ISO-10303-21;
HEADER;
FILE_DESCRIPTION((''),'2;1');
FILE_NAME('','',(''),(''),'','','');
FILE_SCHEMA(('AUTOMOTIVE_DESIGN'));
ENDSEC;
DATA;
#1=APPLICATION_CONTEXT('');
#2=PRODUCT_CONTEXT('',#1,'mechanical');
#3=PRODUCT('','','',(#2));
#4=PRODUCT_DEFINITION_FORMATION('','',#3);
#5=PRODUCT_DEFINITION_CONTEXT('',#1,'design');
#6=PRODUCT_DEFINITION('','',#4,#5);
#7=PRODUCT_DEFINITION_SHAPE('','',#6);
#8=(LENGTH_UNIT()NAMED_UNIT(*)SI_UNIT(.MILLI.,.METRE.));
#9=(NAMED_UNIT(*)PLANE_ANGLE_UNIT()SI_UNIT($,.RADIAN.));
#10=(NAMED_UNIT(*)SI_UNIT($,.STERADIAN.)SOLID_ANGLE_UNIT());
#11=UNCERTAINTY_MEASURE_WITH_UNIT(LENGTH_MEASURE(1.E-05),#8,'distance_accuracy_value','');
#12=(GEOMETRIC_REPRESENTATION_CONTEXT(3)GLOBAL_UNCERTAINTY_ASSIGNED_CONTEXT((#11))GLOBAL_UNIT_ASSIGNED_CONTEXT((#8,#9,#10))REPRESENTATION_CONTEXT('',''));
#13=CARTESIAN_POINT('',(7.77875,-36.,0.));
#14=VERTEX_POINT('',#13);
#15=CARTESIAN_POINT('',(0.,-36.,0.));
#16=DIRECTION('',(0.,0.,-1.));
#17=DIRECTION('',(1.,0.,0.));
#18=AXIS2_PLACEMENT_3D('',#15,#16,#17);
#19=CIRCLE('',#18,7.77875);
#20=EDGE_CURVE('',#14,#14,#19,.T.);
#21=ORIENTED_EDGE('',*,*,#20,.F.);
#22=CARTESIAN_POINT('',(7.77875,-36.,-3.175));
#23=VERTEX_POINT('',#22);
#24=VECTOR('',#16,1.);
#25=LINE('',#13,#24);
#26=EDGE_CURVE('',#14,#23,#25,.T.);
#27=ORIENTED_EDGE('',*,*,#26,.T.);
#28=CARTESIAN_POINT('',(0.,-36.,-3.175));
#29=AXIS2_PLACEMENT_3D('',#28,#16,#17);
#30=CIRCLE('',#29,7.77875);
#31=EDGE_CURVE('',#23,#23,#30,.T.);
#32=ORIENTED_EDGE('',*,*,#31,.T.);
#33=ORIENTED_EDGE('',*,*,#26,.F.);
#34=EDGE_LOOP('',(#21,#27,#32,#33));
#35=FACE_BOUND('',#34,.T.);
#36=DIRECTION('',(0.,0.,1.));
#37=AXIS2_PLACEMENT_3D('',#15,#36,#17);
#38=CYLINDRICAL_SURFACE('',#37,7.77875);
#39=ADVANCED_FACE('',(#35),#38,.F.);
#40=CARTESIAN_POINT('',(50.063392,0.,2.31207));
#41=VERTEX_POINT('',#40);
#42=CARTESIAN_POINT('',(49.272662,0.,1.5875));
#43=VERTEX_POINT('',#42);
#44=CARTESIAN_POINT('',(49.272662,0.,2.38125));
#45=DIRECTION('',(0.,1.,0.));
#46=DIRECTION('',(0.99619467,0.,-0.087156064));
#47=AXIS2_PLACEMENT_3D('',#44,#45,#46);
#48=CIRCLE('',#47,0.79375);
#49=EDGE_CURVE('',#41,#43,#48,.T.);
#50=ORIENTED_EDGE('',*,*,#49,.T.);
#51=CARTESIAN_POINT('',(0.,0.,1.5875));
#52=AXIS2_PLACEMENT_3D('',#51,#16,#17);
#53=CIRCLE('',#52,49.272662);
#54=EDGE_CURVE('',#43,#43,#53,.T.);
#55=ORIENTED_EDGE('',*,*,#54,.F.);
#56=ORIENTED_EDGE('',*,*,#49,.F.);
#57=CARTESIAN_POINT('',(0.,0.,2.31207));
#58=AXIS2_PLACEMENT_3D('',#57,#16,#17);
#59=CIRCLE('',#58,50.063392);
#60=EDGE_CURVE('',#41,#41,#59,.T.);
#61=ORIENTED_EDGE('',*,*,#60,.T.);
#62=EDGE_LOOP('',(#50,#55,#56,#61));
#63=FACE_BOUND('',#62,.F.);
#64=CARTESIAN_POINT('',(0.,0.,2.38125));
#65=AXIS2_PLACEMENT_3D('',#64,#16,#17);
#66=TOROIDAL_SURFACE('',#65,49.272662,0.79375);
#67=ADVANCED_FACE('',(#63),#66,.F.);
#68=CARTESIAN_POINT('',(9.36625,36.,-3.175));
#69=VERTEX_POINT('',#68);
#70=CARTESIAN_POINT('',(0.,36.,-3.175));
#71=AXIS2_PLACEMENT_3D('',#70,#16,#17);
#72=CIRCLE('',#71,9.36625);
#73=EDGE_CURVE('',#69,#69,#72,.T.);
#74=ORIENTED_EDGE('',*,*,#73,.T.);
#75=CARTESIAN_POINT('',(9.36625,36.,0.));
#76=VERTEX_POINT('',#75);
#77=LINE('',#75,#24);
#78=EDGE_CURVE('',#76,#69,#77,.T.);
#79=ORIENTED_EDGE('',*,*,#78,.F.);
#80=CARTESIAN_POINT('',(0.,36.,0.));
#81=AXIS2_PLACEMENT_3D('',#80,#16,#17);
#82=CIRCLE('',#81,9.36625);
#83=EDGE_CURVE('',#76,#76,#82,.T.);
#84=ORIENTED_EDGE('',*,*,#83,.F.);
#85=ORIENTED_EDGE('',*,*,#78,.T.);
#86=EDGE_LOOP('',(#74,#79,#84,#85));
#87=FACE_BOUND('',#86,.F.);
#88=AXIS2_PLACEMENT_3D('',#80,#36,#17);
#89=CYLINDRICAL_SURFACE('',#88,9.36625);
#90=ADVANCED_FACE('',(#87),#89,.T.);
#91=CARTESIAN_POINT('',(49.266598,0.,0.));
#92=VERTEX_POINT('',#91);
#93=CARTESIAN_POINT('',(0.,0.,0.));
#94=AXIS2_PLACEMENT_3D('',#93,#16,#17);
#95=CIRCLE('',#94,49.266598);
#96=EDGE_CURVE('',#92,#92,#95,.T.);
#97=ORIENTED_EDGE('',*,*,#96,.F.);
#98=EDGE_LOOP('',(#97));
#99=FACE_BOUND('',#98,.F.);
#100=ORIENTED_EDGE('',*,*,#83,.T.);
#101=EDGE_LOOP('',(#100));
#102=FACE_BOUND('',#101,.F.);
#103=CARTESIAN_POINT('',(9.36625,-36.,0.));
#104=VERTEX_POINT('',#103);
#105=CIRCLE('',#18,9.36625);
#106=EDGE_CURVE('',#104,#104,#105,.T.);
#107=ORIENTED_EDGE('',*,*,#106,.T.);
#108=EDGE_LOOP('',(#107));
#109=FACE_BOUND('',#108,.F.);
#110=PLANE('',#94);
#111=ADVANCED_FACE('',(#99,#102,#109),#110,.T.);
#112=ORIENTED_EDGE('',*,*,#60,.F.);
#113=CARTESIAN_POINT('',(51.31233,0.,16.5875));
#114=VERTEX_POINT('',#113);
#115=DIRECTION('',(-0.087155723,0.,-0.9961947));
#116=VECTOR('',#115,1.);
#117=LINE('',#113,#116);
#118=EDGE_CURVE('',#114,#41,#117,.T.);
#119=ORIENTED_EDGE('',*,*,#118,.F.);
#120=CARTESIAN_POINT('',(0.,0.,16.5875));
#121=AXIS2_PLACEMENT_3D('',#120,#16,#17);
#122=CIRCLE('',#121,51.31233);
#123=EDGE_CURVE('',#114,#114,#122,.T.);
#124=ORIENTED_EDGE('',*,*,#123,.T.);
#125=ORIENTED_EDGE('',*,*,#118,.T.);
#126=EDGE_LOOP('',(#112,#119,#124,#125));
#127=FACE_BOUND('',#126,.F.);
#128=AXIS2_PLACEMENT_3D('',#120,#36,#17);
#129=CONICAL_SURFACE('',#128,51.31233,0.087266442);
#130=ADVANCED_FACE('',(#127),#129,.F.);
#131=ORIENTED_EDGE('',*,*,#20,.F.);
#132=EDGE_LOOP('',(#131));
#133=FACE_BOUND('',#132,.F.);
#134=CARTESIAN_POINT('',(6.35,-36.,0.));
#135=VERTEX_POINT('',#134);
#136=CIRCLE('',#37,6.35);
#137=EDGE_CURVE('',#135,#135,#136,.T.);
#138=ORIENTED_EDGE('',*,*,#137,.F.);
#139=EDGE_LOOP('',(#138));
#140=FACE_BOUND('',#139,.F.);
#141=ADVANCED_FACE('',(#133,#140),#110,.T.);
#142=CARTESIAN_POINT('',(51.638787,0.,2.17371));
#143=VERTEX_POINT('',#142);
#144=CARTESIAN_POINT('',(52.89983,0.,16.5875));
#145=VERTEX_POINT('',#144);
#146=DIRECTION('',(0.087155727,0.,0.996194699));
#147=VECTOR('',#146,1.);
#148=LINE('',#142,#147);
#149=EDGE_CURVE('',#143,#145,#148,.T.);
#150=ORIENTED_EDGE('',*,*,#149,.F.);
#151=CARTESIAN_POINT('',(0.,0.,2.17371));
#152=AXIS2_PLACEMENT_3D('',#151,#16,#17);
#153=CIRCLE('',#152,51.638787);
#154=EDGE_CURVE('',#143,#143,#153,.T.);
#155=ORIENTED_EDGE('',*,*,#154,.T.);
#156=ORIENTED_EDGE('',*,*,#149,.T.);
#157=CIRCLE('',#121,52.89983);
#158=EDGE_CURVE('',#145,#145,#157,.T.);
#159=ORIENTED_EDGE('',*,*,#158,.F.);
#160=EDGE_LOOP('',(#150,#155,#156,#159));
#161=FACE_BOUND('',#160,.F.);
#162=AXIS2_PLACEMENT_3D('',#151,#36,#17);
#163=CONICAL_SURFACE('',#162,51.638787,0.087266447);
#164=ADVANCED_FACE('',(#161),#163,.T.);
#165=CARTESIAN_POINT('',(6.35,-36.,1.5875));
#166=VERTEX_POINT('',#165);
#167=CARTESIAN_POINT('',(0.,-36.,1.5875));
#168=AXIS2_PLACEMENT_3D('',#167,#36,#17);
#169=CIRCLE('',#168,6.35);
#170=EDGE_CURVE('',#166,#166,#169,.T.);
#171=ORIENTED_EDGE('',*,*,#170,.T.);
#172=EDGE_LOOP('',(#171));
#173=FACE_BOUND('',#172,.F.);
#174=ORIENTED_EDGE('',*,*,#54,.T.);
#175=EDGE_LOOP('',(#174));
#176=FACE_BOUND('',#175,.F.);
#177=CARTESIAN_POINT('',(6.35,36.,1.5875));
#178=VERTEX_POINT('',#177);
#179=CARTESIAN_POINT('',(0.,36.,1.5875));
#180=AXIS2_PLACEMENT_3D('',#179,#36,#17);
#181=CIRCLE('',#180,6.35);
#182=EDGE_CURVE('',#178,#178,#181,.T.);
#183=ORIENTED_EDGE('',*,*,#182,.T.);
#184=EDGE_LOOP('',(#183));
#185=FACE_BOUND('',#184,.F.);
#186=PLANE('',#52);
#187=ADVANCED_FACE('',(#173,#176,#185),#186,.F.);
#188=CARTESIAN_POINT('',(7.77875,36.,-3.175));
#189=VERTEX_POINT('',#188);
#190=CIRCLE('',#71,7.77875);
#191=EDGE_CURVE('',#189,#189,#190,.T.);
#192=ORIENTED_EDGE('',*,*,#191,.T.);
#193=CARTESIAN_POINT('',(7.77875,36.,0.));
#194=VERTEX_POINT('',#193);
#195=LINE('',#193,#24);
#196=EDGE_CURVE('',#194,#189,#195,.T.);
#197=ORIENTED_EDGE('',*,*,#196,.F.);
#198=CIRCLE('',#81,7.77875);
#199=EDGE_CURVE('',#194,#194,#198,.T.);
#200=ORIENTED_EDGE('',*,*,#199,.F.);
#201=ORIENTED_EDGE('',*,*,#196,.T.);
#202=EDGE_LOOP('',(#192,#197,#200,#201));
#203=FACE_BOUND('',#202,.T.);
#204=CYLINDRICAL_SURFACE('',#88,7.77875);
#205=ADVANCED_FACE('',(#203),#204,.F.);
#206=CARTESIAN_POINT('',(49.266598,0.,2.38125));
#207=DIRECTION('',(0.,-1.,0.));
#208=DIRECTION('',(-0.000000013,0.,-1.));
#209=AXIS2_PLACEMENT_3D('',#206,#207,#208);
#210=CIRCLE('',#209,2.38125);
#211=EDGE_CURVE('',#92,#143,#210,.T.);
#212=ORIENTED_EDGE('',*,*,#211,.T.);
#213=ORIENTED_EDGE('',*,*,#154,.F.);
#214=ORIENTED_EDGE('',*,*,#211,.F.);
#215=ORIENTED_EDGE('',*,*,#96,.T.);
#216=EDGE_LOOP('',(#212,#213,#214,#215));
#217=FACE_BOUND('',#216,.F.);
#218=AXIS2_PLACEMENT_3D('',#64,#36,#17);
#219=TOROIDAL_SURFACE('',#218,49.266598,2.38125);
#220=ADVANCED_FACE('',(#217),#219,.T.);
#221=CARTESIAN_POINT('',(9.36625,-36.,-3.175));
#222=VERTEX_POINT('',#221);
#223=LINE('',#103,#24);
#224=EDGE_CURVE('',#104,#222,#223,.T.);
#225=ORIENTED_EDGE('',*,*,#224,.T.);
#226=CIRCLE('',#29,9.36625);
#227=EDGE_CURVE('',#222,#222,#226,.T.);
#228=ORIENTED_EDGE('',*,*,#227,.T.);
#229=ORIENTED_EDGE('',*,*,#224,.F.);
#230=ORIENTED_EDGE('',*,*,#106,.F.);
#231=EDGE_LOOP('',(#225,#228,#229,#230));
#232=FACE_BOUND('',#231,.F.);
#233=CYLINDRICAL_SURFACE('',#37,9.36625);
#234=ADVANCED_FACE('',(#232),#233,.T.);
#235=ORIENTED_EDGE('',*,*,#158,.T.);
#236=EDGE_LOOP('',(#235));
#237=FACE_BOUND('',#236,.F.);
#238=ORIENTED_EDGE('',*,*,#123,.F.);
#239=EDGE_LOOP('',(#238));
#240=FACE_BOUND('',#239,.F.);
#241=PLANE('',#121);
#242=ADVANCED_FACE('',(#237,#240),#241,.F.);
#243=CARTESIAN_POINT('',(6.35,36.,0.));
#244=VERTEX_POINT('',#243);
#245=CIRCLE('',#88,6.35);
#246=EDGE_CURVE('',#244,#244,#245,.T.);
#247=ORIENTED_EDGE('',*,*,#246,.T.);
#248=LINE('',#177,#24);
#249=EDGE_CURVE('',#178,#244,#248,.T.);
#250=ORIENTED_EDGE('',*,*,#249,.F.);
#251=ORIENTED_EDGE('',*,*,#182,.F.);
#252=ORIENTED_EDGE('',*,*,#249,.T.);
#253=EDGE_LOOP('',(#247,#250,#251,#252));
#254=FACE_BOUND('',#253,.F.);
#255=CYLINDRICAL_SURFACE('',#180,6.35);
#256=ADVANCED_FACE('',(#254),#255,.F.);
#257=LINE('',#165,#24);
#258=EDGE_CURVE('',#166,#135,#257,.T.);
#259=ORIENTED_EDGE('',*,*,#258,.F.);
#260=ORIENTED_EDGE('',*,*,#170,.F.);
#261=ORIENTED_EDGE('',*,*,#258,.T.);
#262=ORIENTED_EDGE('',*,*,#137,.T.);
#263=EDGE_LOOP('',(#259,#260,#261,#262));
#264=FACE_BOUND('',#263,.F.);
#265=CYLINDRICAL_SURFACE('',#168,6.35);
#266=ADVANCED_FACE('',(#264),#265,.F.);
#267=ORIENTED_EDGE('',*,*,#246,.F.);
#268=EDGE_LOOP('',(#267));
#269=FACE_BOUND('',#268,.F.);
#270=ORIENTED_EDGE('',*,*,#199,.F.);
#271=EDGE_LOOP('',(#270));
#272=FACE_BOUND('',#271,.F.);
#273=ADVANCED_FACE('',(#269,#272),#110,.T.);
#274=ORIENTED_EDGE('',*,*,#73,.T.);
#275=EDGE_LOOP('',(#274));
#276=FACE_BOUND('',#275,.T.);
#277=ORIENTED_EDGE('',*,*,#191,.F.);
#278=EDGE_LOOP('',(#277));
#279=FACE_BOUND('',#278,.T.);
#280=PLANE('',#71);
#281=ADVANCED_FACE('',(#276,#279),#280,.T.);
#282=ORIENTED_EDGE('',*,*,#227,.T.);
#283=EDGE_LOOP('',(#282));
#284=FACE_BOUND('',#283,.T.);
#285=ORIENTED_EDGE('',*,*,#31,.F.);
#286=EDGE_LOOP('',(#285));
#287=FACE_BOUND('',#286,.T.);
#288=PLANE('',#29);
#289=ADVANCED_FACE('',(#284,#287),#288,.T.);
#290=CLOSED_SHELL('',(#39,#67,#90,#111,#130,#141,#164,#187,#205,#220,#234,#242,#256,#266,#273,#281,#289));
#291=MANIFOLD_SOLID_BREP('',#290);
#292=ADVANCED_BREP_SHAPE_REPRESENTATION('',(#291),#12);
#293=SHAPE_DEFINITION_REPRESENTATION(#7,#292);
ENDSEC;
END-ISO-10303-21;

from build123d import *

# Parameters (mm, degrees)
F2_R     = 6.35
F3_DEPTH = 1.5885
F4_R     = 9.36625
F4_R_2   = 7.77875
F5_DEPTH = 3.175


with BuildPart() as f1:
    # F0 (on Front) → F1 (revolve)
    with BuildSketch(Plane.XZ):
        with BuildLine():
            Line((0, 1.5875), (0, 0))
            Line((0, 0), (49.266598, 0))
            ThreePointArc((49.266598, 0), (50.875347, 0.625608), (51.638787, 2.17371))
            Line((51.638787, 2.17371), (52.89983, 16.5875))
            Line((52.89983, 16.5875), (51.31233, 16.5875))
            Line((51.31233, 16.5875), (50.063392, 2.31207))
            ThreePointArc((50.063392, 2.31207), (49.808912, 1.796036), (49.272662, 1.5875))
            Line((49.272662, 1.5875), (0, 1.5875))
        make_face()
    revolve(axis=Axis((0, 0, 0.79375), (0, 0, -1)))

    # F2 (on face) → F3 (cut, through all)
    with BuildSketch(Plane.XY.offset(1.5875)):
        with Locations((0, 36)):
            Circle(F2_R)
        with Locations((0, -36)):
            Circle(F2_R)
    extrude(amount=-F3_DEPTH, mode=Mode.SUBTRACT)

    # F4 (on face) → F5 (join)
    with BuildSketch(Plane(origin=(0, 0, 0), x_dir=(1, 0, 0), z_dir=(0, 0, -1))):
        with Locations((0, -36)):
            Circle(F4_R)
        with Locations((0, -36)):
            Circle(F4_R_2, mode=Mode.SUBTRACT)
        with Locations((0, 36)):
            Circle(F4_R)
        with Locations((0, 36)):
            Circle(F4_R_2, mode=Mode.SUBTRACT)
    extrude(amount=F5_DEPTH)


solid = f1.part
